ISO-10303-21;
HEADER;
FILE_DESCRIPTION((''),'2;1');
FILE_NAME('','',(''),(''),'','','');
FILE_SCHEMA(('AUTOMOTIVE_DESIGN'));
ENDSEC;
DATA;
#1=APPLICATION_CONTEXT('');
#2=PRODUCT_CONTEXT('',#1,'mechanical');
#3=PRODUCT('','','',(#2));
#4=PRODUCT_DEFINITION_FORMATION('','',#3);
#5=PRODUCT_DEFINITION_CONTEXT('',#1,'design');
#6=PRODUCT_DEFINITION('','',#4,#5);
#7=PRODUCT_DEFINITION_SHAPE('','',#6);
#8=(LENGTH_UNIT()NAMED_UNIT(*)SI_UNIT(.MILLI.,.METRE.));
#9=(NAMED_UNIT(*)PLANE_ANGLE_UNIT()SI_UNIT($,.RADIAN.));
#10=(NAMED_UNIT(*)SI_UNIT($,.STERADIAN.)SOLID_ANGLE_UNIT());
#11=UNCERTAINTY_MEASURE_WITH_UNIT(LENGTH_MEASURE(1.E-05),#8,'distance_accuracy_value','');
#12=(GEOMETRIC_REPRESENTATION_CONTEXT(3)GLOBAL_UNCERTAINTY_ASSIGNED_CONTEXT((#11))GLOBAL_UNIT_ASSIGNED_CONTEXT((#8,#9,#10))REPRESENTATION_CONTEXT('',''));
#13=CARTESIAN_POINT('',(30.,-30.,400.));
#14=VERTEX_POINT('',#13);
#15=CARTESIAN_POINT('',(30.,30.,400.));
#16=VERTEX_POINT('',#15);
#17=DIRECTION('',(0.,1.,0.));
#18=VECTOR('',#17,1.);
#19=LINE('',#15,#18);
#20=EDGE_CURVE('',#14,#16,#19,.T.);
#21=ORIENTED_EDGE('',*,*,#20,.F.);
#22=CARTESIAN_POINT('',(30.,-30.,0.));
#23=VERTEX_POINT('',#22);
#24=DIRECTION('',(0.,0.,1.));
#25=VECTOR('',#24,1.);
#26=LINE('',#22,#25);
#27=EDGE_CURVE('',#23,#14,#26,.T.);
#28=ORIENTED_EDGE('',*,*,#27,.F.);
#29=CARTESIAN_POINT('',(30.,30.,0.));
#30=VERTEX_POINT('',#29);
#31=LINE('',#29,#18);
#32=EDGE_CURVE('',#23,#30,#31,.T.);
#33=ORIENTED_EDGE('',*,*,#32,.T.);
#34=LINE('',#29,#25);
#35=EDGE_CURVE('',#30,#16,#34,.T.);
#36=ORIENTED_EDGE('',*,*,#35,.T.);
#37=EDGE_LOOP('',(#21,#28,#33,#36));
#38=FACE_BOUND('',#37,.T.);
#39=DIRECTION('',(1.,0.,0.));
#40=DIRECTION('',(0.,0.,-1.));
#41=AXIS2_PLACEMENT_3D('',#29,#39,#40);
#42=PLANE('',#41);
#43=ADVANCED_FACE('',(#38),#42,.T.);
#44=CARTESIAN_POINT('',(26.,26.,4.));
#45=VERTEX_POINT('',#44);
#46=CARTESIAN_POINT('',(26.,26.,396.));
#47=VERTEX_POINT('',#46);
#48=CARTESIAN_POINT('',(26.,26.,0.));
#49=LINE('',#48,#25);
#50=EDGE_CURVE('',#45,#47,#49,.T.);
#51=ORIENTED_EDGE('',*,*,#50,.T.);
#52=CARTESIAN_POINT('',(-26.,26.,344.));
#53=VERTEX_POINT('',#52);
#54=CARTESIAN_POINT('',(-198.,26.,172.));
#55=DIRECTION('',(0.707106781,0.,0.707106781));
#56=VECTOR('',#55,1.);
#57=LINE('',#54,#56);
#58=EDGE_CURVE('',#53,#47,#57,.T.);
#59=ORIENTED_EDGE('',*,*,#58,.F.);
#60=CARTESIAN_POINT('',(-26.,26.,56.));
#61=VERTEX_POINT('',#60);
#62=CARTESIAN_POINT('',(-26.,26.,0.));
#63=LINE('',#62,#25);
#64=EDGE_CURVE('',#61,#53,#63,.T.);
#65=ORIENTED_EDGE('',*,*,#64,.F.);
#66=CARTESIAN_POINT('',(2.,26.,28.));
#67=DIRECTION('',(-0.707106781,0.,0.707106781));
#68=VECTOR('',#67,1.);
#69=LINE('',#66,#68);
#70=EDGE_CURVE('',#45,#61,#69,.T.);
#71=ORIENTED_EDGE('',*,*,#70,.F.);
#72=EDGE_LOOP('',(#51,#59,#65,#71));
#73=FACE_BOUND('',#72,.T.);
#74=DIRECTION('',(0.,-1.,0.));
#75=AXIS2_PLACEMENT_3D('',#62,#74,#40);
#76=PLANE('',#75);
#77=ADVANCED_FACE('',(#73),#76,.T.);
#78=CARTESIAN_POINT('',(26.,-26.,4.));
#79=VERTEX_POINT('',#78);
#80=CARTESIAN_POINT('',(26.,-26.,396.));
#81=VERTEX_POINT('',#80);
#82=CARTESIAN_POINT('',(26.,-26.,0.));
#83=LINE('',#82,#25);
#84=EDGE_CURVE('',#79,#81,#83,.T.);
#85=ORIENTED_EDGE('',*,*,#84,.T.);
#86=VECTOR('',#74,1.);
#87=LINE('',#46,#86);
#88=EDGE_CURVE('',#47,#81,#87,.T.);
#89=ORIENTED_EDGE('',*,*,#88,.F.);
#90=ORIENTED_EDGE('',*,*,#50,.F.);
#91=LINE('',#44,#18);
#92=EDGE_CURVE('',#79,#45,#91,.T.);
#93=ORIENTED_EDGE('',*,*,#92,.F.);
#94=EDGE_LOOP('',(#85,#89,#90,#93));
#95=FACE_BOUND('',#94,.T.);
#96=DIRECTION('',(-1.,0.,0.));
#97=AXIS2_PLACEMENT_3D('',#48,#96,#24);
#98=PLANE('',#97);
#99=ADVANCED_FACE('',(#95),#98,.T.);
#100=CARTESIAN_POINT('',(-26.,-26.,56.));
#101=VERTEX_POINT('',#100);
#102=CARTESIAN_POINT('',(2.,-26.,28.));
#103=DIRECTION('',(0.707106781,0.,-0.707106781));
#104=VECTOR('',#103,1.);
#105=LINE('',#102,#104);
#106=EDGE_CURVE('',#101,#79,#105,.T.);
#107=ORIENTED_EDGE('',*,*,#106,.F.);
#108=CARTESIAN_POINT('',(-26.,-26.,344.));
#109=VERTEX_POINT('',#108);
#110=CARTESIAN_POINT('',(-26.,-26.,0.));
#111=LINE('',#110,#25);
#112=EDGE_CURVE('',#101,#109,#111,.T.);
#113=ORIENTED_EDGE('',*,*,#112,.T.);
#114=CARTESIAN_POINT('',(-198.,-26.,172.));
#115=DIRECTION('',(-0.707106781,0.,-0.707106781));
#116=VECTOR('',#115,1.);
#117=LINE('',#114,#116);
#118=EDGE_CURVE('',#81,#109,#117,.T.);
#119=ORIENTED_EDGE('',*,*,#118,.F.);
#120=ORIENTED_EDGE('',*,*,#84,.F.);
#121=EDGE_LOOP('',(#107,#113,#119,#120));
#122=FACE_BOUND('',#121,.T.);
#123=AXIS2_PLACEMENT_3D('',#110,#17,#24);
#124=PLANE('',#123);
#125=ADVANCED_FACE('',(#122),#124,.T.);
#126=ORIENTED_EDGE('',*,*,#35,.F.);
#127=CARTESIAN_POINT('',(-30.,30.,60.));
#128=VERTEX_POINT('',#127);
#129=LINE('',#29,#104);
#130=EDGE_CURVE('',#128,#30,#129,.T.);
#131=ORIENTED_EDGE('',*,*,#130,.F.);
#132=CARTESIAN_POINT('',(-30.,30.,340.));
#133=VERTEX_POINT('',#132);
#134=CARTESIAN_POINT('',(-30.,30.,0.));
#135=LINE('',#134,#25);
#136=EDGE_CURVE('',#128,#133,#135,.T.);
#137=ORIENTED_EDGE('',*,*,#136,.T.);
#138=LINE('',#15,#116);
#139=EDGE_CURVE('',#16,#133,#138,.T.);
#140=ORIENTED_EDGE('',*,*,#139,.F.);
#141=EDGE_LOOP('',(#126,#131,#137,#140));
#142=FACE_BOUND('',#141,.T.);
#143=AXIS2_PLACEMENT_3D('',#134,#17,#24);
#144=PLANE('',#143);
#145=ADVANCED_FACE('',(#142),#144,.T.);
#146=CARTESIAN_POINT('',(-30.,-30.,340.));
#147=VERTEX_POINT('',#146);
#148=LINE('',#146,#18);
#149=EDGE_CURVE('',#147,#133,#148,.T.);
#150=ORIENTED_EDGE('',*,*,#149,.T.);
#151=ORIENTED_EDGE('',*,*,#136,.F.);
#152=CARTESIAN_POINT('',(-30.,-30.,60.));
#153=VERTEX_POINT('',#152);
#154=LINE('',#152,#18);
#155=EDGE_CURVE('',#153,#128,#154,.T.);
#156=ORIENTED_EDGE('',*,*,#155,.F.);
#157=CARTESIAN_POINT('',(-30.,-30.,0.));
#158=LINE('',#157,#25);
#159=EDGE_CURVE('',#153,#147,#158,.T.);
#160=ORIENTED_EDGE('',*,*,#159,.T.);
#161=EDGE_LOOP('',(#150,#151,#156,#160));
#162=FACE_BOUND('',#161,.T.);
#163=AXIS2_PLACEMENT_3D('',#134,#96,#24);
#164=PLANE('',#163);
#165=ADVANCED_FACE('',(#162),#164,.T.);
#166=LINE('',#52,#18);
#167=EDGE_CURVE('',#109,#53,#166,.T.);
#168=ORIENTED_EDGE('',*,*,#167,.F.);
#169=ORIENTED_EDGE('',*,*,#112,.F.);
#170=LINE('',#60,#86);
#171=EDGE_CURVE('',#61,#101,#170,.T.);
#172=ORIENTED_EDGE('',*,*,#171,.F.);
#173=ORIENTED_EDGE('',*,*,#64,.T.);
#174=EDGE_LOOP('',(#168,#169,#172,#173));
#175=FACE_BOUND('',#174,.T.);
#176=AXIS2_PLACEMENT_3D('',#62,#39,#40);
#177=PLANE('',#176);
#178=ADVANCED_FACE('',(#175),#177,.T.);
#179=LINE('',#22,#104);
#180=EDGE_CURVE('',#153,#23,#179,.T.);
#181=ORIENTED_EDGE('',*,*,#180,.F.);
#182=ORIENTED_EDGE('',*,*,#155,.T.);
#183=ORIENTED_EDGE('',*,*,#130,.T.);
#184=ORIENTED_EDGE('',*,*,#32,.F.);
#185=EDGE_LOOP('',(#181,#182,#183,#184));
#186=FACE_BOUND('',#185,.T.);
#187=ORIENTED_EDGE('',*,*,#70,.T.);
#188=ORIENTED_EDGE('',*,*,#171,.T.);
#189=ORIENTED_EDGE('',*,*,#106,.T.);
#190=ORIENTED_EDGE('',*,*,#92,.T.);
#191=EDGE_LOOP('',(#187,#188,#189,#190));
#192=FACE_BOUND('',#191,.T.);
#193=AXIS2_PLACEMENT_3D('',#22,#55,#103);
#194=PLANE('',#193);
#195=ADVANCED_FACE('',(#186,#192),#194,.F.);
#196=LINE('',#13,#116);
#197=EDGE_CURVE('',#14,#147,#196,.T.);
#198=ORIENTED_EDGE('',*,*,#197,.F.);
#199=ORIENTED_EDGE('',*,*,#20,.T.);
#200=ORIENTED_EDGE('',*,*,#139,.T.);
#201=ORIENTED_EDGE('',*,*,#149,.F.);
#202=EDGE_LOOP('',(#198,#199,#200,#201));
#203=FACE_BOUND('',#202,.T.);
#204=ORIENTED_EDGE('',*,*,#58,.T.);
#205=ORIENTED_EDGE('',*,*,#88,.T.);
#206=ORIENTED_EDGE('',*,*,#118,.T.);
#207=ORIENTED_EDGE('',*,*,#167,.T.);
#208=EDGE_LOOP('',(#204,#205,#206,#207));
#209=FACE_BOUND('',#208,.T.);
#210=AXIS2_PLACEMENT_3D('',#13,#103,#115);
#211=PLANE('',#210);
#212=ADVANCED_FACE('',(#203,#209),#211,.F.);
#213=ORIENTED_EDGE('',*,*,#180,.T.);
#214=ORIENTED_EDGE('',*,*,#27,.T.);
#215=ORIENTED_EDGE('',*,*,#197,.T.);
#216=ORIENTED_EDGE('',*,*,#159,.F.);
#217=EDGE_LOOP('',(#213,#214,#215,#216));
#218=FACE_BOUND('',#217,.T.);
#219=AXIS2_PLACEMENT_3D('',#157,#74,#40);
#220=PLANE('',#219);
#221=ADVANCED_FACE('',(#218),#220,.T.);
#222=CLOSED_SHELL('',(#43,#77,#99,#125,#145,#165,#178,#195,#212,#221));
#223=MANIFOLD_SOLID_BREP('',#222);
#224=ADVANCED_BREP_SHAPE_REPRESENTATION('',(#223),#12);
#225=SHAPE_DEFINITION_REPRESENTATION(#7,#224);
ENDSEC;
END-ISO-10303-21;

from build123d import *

# Parameters (mm, degrees)
SKETCH1_W          = 60
SKETCH1_H          = 60
SKETCH1_W_2        = 52
SKETCH1_H_2        = 52
CUT_EXTRUDE1_DEPTH = 61.0000001


with BuildPart() as part:
    # Sweep1: sweep along a curve in space
    with BuildLine() as sweep1_path:
        add(Edge.make_bspline(
            [(0, 0, 0), (0, 0, 400)],
            knots=[0, 0, 1, 1], degree=1))
    # Sketch1 → Sweep1 (sweep)
    with BuildSketch(Plane.XY):
        Rectangle(SKETCH1_W, SKETCH1_H)
        Rectangle(SKETCH1_W_2, SKETCH1_H_2, mode=Mode.SUBTRACT)
    sweep(path=sweep1_path.line)

    # Sketch2 → Cut-Extrude1 (cut, through all)
    with BuildSketch(Plane(origin=(0, 30, 0), x_dir=(1, 0, 0), z_dir=(0, 1, 0))):
        Polygon((30, 0), (-30, -60), (-30, 0), align=None)
        Polygon((30, -400), (-30, -340), (-30, -400), align=None)
    extrude(amount=-CUT_EXTRUDE1_DEPTH, mode=Mode.SUBTRACT)


solid = part.part
